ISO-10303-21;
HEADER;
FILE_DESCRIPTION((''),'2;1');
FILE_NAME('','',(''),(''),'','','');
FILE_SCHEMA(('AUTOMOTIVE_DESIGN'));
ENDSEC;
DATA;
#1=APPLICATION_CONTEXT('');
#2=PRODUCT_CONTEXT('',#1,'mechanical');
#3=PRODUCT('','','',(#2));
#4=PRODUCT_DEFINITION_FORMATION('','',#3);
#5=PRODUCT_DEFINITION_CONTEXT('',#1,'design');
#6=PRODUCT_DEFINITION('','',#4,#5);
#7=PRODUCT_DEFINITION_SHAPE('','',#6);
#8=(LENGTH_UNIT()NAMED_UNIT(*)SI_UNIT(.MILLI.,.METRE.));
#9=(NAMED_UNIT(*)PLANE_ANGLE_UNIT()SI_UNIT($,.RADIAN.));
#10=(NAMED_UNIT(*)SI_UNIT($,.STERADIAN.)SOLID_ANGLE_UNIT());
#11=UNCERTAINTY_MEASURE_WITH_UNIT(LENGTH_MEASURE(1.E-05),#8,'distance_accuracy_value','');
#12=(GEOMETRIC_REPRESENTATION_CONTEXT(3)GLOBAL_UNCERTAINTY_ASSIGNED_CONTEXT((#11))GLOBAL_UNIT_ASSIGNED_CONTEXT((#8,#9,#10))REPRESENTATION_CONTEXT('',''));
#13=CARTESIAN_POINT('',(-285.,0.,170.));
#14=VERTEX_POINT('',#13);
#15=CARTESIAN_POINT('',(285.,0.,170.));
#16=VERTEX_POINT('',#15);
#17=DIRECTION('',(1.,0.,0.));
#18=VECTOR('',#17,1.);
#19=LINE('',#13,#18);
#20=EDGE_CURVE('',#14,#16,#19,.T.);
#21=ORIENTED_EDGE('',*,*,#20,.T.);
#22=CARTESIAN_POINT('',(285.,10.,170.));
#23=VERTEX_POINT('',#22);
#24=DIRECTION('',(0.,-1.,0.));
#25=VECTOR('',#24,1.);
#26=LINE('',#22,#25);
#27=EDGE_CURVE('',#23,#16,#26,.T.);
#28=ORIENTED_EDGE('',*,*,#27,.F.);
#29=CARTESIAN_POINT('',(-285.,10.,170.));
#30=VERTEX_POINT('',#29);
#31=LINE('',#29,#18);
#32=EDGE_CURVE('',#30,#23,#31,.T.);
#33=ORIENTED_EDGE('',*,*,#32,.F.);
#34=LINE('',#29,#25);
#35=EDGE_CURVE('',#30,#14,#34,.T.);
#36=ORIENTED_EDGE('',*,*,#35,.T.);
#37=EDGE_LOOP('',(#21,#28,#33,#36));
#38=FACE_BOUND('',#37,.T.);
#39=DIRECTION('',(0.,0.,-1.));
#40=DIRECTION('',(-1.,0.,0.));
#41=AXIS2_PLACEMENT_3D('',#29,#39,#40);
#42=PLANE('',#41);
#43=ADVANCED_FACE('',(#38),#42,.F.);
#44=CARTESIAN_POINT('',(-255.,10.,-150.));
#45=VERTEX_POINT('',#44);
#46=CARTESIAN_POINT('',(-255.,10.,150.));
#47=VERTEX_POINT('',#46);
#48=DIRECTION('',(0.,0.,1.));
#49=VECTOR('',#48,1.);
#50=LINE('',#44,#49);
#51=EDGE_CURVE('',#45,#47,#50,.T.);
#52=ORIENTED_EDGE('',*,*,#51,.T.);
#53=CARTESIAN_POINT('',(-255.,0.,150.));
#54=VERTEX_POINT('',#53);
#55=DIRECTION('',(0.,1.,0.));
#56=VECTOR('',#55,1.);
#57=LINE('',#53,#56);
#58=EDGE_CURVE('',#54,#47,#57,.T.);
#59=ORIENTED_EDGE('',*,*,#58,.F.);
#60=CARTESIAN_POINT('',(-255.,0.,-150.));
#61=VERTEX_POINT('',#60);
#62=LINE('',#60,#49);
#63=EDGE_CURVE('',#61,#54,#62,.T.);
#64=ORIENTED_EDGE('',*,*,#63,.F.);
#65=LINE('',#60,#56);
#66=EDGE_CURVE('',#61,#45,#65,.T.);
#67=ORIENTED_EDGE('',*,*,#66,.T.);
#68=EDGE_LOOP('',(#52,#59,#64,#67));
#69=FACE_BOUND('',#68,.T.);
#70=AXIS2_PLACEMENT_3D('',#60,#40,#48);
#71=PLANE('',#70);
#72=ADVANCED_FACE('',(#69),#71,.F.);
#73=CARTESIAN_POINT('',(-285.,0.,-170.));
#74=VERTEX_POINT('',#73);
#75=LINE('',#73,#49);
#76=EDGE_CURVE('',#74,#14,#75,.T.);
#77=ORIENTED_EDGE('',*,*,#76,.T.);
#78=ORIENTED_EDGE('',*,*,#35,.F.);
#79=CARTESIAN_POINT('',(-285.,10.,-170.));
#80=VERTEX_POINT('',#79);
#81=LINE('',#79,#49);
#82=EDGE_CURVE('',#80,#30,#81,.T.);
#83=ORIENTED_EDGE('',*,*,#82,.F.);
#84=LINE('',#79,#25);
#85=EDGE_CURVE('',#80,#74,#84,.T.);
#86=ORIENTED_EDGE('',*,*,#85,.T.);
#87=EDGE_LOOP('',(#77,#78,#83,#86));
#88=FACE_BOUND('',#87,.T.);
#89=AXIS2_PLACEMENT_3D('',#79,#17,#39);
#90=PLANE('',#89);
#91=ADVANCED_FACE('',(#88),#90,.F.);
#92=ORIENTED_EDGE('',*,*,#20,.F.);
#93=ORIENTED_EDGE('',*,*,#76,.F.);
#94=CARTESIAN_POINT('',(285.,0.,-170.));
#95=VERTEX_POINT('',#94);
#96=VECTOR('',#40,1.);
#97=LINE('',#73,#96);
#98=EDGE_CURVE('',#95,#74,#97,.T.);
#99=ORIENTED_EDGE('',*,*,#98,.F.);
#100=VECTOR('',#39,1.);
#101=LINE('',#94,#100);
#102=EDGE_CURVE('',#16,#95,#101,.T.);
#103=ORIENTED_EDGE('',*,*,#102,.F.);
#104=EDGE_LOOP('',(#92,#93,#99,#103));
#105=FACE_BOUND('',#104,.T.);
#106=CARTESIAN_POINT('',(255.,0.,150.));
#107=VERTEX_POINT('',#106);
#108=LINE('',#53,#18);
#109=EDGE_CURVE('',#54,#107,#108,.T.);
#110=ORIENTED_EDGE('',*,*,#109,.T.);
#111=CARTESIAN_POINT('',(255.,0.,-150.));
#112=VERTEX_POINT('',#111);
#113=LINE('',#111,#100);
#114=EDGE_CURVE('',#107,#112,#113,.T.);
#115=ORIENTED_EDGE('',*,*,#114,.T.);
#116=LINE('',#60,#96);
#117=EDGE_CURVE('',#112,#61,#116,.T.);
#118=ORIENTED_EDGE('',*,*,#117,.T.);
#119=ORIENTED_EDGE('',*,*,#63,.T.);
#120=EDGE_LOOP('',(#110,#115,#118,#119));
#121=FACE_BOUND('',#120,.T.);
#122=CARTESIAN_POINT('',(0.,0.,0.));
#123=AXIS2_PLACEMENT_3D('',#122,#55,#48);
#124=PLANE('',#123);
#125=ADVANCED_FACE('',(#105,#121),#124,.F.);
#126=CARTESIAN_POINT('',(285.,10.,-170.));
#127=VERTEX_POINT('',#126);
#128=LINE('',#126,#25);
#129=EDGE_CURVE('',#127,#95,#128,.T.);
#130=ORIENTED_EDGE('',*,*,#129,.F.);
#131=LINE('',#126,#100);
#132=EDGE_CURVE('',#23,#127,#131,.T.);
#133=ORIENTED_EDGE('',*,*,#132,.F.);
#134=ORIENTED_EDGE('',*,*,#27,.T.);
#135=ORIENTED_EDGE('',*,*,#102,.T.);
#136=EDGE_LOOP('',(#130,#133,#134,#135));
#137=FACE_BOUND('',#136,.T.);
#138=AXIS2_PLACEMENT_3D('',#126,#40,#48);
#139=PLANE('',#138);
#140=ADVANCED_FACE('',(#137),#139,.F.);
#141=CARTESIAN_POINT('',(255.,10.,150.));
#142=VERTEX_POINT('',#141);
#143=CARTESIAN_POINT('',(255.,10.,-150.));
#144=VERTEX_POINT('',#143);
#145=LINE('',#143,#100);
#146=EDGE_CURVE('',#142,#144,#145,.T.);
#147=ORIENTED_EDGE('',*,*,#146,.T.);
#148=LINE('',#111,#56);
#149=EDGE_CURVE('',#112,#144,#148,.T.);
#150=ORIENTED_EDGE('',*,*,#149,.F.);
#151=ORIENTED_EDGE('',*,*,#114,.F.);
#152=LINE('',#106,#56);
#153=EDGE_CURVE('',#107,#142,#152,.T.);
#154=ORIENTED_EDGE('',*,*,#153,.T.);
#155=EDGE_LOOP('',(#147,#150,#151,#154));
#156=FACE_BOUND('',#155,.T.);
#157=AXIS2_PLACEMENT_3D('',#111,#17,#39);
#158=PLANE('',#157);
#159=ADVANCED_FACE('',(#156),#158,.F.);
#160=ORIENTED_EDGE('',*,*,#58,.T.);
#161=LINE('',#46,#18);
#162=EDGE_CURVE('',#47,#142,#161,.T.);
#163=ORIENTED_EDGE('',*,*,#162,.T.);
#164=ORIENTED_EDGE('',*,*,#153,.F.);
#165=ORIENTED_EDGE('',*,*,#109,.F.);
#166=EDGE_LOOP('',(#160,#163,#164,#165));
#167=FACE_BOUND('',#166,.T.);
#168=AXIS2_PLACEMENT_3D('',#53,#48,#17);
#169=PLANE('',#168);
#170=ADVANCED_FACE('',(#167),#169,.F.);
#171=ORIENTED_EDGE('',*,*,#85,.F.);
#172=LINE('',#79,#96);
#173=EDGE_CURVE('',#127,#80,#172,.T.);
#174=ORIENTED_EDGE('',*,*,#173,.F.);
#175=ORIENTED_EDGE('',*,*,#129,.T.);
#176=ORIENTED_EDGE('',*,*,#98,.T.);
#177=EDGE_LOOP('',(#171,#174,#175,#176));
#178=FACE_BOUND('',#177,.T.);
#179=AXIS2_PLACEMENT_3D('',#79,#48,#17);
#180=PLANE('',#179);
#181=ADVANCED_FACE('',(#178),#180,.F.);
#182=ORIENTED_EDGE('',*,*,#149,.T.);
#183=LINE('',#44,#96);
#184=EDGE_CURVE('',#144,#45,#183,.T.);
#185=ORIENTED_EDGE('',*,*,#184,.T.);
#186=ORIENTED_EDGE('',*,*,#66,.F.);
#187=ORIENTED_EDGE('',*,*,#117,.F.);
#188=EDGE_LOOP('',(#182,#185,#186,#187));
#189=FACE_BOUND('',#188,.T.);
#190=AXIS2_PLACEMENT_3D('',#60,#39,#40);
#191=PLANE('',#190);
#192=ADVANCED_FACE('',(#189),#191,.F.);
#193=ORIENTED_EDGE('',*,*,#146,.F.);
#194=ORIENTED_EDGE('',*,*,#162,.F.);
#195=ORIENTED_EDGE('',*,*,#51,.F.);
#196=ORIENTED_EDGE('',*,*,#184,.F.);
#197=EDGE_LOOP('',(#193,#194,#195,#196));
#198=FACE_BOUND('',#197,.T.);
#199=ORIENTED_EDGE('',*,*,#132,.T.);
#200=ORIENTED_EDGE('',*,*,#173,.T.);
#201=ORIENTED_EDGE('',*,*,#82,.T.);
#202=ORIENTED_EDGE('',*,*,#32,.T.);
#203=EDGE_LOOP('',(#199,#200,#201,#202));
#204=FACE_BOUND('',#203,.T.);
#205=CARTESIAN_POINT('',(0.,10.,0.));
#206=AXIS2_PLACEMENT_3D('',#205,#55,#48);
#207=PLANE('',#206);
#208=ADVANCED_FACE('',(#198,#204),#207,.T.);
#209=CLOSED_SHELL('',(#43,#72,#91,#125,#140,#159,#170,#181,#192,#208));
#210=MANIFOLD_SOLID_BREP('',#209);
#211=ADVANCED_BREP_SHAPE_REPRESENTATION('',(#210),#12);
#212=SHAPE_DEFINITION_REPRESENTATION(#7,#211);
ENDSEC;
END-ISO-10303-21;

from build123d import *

# Parameters (mm, degrees)
ESBO_O1_W                = 570
ESBO_O1_H                = 340
RESSALTO_EXTRUS_O1_DEPTH = 10
ESBO_O3_W                = 510
ESBO_O3_H                = 300
CORTE_EXTRUS_O1_DEPTH    = 10


with BuildPart() as part:
    # Esboço1 → Ressalto-extrusão1 (new body)
    with BuildSketch(Plane(origin=(0, 0, 0), x_dir=(1, 0, 0), z_dir=(0, 1, 0))):
        Rectangle(ESBO_O1_W, ESBO_O1_H)
    extrude(amount=RESSALTO_EXTRUS_O1_DEPTH)

    # Esboço3 → Corte-extrusão1 (cut)
    with BuildSketch(Plane(origin=(0, 10, 0), x_dir=(1, 0, 0), z_dir=(0, 1, 0))):
        Rectangle(ESBO_O3_W, ESBO_O3_H)
    extrude(amount=-CORTE_EXTRUS_O1_DEPTH, mode=Mode.SUBTRACT)


solid = part.part
